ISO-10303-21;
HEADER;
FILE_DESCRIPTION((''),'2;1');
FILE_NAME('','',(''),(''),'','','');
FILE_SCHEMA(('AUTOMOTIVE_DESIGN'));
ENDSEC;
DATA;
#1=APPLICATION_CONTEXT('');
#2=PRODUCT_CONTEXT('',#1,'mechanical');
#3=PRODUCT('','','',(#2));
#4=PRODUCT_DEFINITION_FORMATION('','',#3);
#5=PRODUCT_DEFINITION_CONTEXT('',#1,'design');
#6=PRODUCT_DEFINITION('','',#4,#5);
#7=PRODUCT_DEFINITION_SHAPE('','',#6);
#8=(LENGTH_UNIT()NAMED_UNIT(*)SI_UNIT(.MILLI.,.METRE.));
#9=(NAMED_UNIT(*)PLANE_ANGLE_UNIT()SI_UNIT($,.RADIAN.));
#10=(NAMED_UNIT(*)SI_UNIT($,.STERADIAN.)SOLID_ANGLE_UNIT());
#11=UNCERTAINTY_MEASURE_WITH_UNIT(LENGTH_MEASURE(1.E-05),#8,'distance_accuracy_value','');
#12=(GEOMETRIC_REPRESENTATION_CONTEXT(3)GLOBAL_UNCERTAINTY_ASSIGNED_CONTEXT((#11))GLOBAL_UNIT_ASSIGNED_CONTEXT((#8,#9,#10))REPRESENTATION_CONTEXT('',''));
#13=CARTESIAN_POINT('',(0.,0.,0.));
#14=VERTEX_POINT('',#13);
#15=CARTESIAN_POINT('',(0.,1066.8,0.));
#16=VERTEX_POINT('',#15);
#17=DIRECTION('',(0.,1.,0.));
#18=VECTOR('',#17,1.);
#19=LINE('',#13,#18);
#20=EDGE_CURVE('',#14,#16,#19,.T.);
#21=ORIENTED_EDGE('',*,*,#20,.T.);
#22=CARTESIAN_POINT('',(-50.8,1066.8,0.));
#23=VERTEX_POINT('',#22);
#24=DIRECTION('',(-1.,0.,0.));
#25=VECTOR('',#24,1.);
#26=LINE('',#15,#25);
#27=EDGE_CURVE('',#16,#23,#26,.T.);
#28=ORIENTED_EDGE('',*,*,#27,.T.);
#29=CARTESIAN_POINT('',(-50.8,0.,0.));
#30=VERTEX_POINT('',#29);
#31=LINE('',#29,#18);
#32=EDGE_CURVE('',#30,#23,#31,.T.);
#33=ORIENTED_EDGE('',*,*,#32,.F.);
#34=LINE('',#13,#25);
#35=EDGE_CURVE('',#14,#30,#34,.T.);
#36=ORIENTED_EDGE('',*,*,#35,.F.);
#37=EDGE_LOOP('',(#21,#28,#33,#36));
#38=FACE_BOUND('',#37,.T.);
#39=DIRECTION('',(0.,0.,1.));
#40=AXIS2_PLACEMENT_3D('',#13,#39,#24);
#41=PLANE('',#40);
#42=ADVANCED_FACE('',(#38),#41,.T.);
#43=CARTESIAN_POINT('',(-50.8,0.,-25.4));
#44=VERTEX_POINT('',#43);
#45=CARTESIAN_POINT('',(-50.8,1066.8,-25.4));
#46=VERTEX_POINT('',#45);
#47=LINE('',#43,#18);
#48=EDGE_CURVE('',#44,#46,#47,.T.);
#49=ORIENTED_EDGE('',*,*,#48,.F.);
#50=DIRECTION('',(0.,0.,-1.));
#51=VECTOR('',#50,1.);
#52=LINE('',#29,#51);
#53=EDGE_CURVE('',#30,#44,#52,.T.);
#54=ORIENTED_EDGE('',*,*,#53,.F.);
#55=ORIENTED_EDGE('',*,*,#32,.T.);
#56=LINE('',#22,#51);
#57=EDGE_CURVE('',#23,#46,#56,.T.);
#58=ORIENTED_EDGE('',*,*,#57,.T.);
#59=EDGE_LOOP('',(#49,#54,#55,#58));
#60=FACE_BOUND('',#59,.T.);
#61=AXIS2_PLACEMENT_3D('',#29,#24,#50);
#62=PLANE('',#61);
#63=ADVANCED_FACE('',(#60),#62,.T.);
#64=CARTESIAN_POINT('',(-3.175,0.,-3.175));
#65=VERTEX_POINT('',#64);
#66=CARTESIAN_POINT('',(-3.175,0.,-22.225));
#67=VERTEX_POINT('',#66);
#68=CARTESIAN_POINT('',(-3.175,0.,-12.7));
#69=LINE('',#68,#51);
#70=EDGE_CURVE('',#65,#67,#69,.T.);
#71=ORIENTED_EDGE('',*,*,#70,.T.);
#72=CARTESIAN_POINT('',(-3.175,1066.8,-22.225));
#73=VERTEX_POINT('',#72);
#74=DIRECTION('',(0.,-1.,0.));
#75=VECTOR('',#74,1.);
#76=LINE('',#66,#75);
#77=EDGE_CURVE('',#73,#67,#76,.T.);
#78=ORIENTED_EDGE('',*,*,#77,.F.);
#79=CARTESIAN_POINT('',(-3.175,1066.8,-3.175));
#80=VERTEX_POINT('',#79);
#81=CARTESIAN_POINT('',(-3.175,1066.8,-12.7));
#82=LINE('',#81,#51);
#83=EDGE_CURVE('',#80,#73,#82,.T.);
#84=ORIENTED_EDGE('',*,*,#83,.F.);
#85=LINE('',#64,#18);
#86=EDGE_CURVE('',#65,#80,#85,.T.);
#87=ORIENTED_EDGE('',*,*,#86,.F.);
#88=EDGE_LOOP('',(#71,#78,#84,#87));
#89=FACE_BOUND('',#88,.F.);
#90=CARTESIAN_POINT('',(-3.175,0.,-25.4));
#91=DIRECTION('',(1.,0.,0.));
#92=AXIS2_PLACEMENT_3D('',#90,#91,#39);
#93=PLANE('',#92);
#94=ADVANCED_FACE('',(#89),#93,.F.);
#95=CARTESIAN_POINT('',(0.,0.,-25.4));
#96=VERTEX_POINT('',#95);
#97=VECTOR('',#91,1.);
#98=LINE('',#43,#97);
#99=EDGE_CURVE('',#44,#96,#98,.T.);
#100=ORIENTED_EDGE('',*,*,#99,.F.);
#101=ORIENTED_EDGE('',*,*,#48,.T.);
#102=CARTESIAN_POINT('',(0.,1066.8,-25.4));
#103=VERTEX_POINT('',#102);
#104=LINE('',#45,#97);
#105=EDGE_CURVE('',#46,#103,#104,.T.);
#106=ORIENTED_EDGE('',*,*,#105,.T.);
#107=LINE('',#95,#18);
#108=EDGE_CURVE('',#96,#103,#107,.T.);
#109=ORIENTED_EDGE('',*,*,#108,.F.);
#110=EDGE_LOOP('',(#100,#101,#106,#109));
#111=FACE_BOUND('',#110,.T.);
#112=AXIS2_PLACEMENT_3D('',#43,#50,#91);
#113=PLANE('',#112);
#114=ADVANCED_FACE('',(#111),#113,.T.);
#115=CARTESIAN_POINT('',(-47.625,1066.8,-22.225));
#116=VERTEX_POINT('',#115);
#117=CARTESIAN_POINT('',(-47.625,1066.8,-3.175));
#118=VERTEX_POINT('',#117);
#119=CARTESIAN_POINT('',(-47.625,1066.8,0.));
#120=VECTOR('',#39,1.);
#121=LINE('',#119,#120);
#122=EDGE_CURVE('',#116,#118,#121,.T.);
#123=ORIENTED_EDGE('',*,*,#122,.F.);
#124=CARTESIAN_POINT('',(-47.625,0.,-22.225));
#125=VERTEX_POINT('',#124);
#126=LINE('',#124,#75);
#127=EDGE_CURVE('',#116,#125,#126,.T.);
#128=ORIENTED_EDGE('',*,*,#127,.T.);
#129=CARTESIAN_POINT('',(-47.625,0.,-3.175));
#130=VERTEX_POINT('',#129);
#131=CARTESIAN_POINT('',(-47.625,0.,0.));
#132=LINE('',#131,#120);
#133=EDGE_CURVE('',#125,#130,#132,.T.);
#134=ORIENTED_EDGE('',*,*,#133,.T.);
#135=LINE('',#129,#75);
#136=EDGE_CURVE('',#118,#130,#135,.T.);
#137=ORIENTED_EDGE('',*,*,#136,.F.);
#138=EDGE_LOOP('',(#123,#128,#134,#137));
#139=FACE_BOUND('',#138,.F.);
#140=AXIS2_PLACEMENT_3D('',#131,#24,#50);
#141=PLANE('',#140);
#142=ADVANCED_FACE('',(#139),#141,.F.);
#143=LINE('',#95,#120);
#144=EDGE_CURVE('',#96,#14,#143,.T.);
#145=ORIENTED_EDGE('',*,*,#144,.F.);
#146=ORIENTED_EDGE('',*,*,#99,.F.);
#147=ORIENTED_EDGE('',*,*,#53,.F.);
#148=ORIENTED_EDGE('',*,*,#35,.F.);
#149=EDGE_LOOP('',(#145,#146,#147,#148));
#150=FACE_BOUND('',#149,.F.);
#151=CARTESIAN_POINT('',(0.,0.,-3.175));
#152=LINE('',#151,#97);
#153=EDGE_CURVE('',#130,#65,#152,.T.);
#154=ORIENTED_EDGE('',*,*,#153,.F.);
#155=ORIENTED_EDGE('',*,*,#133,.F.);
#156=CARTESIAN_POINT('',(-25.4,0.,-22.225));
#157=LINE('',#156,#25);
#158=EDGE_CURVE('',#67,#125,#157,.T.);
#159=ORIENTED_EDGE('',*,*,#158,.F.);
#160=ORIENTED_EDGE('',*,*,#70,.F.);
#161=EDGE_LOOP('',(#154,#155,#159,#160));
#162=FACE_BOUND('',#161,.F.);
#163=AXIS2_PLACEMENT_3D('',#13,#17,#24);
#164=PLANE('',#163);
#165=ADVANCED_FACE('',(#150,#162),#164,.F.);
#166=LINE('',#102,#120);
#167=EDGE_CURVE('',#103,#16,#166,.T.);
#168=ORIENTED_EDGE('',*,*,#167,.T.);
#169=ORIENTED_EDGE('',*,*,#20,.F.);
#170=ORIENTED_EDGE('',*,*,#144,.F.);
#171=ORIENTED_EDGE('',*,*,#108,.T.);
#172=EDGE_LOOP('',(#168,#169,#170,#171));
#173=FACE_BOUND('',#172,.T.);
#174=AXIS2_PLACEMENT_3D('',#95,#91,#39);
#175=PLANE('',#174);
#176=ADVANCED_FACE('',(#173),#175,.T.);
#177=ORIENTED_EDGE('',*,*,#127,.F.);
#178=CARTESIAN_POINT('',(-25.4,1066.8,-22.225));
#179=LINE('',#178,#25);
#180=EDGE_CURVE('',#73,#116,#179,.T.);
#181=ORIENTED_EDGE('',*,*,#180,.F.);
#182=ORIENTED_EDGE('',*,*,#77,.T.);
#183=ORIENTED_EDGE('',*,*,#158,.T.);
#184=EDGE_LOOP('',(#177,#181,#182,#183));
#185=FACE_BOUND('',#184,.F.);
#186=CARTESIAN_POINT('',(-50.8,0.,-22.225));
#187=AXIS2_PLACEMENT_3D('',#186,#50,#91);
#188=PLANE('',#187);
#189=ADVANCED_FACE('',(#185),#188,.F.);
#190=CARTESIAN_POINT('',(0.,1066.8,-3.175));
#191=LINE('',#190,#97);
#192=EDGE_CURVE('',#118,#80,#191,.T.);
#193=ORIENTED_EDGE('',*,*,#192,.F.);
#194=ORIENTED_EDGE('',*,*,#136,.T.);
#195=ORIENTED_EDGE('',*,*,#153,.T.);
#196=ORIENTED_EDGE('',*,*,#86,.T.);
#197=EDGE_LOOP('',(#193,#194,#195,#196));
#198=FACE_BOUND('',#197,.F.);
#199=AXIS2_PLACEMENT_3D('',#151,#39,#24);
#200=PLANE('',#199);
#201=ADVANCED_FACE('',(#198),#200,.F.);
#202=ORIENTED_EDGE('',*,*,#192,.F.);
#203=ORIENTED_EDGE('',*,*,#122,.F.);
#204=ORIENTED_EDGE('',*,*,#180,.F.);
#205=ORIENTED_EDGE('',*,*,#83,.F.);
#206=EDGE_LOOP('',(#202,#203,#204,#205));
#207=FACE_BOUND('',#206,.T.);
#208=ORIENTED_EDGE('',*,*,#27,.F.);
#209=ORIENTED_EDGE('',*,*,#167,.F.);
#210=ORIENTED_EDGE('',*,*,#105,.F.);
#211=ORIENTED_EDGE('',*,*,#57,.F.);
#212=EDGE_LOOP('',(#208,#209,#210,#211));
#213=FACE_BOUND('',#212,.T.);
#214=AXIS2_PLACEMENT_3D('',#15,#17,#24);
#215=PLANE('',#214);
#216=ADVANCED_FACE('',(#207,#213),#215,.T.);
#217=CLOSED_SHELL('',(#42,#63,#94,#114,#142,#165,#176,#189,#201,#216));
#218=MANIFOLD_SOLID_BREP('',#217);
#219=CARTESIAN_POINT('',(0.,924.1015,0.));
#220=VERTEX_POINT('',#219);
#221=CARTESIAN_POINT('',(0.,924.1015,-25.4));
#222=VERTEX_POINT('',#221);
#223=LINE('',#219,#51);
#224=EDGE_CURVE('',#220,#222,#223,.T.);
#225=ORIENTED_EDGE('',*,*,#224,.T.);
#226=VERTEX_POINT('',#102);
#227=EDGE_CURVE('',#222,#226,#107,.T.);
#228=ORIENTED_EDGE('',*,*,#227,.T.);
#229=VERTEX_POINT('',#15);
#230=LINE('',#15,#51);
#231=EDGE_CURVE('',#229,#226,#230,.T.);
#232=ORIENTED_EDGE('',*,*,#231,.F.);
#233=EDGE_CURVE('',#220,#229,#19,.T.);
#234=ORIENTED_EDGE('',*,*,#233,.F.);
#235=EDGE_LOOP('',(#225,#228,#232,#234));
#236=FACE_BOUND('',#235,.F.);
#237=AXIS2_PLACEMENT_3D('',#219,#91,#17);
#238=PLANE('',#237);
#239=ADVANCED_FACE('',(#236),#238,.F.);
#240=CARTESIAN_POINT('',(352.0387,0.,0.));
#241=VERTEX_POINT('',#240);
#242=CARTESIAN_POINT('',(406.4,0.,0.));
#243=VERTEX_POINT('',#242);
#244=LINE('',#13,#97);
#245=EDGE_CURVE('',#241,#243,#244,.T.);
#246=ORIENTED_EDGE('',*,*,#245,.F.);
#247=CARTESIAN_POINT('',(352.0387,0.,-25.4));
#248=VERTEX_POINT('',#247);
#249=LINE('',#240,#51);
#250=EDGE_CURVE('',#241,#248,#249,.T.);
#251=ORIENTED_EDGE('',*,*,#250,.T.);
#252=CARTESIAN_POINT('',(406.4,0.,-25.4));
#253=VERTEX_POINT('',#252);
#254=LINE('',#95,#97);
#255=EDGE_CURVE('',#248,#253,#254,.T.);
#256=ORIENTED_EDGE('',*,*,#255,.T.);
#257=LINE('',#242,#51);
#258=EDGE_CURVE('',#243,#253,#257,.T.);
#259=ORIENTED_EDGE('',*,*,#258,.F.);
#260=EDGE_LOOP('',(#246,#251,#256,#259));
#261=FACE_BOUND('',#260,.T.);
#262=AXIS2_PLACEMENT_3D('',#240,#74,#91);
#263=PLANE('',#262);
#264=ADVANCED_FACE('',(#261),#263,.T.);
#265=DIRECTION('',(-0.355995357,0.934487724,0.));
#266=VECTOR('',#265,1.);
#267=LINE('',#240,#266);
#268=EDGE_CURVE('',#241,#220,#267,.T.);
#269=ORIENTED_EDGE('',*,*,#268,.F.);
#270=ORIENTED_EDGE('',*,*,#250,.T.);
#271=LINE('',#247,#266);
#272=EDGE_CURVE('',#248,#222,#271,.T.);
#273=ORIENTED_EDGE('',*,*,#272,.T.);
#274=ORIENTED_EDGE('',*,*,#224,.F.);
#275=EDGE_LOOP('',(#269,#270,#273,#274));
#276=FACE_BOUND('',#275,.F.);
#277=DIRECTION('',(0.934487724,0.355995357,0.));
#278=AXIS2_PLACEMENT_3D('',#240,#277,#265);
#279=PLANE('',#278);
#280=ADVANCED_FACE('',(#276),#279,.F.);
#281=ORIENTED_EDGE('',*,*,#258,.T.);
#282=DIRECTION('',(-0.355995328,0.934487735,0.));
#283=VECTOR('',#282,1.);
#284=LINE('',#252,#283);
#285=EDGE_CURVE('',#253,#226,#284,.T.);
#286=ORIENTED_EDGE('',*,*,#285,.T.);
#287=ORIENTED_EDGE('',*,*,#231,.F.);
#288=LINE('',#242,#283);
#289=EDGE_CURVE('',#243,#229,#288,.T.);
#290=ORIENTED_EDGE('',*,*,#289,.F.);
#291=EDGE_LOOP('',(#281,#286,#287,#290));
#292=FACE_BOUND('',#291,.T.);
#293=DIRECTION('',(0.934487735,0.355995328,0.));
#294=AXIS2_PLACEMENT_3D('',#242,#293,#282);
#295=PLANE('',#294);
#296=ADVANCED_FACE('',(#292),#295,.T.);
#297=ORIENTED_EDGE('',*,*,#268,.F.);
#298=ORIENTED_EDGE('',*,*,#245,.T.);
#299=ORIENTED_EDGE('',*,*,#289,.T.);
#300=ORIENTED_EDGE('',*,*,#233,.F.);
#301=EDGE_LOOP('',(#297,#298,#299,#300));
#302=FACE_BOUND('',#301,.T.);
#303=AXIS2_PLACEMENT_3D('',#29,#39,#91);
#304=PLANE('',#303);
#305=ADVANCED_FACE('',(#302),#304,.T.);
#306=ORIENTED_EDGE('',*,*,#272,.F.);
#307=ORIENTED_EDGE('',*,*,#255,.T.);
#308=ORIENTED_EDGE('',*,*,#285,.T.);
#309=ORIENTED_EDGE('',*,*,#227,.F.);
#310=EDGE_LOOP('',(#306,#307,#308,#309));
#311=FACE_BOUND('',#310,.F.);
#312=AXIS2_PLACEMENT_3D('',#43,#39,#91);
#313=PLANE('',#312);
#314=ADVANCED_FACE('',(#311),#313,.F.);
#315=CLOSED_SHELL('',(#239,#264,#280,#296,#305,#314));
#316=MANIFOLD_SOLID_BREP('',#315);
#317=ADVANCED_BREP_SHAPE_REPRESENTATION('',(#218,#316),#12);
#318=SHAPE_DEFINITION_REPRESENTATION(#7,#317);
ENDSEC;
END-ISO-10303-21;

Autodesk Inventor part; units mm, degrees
ref_plane "YZ Plane" through (0, 0, 0) normal (1, 0, 0) x (0, 1, 0)
ref_plane "XZ Plane" through (0, 0, 0) normal (0, 1, 0) x (-1, 0, 0)
ref_plane "XY Plane" through (0, 0, 0) normal (0, 0, 1) x (1, 0, 0)
sketch "Sketch1" plane through (0, 0, 0) normal (0, 1, 0) x (-1, 0, 0)
  line L0 (0, 0) -> (50.8, 0)
  line L1 (50.8, 0) -> (50.8, -25.4)
  line L2 (50.8, -25.4) -> (0, -25.4)
  line L3 (0, -25.4) -> (0, 0)
  dimension "d0" = 50.8
  dimension "d1" = 25.4
extrude "Extrusion1" add sketch "Sketch1" along normal blind 1066.8
shell "Shell1" thickness 3.175 removed faces 2 at (-16.9333, 0, -16.9333) at (-16.9333, 1066.8, -16.9333)
sketch "Sketch2" plane through (-50.8, 0, 0) normal (0, 0, 1) x (1, 0, 0)
  line L0 (457.2, 0) -> (50.8, 1066.8)
  line L1 (402.8387, 0) -> (50.8, 924.1015)
  line L2 (50.8, 0) -> (50.8, 1066.8) projected
  line L3 (50.8, 0) -> (457.2, 0)
  point P0 (50.8, 1058.5302)
  dimension "d6" = 50.8
  dimension "d7" = 406.4
extrude "Extrusion2" add sketch "Sketch2" against normal up to surface (25.4 mm away) separate body contours L3 L1 L2 L0
